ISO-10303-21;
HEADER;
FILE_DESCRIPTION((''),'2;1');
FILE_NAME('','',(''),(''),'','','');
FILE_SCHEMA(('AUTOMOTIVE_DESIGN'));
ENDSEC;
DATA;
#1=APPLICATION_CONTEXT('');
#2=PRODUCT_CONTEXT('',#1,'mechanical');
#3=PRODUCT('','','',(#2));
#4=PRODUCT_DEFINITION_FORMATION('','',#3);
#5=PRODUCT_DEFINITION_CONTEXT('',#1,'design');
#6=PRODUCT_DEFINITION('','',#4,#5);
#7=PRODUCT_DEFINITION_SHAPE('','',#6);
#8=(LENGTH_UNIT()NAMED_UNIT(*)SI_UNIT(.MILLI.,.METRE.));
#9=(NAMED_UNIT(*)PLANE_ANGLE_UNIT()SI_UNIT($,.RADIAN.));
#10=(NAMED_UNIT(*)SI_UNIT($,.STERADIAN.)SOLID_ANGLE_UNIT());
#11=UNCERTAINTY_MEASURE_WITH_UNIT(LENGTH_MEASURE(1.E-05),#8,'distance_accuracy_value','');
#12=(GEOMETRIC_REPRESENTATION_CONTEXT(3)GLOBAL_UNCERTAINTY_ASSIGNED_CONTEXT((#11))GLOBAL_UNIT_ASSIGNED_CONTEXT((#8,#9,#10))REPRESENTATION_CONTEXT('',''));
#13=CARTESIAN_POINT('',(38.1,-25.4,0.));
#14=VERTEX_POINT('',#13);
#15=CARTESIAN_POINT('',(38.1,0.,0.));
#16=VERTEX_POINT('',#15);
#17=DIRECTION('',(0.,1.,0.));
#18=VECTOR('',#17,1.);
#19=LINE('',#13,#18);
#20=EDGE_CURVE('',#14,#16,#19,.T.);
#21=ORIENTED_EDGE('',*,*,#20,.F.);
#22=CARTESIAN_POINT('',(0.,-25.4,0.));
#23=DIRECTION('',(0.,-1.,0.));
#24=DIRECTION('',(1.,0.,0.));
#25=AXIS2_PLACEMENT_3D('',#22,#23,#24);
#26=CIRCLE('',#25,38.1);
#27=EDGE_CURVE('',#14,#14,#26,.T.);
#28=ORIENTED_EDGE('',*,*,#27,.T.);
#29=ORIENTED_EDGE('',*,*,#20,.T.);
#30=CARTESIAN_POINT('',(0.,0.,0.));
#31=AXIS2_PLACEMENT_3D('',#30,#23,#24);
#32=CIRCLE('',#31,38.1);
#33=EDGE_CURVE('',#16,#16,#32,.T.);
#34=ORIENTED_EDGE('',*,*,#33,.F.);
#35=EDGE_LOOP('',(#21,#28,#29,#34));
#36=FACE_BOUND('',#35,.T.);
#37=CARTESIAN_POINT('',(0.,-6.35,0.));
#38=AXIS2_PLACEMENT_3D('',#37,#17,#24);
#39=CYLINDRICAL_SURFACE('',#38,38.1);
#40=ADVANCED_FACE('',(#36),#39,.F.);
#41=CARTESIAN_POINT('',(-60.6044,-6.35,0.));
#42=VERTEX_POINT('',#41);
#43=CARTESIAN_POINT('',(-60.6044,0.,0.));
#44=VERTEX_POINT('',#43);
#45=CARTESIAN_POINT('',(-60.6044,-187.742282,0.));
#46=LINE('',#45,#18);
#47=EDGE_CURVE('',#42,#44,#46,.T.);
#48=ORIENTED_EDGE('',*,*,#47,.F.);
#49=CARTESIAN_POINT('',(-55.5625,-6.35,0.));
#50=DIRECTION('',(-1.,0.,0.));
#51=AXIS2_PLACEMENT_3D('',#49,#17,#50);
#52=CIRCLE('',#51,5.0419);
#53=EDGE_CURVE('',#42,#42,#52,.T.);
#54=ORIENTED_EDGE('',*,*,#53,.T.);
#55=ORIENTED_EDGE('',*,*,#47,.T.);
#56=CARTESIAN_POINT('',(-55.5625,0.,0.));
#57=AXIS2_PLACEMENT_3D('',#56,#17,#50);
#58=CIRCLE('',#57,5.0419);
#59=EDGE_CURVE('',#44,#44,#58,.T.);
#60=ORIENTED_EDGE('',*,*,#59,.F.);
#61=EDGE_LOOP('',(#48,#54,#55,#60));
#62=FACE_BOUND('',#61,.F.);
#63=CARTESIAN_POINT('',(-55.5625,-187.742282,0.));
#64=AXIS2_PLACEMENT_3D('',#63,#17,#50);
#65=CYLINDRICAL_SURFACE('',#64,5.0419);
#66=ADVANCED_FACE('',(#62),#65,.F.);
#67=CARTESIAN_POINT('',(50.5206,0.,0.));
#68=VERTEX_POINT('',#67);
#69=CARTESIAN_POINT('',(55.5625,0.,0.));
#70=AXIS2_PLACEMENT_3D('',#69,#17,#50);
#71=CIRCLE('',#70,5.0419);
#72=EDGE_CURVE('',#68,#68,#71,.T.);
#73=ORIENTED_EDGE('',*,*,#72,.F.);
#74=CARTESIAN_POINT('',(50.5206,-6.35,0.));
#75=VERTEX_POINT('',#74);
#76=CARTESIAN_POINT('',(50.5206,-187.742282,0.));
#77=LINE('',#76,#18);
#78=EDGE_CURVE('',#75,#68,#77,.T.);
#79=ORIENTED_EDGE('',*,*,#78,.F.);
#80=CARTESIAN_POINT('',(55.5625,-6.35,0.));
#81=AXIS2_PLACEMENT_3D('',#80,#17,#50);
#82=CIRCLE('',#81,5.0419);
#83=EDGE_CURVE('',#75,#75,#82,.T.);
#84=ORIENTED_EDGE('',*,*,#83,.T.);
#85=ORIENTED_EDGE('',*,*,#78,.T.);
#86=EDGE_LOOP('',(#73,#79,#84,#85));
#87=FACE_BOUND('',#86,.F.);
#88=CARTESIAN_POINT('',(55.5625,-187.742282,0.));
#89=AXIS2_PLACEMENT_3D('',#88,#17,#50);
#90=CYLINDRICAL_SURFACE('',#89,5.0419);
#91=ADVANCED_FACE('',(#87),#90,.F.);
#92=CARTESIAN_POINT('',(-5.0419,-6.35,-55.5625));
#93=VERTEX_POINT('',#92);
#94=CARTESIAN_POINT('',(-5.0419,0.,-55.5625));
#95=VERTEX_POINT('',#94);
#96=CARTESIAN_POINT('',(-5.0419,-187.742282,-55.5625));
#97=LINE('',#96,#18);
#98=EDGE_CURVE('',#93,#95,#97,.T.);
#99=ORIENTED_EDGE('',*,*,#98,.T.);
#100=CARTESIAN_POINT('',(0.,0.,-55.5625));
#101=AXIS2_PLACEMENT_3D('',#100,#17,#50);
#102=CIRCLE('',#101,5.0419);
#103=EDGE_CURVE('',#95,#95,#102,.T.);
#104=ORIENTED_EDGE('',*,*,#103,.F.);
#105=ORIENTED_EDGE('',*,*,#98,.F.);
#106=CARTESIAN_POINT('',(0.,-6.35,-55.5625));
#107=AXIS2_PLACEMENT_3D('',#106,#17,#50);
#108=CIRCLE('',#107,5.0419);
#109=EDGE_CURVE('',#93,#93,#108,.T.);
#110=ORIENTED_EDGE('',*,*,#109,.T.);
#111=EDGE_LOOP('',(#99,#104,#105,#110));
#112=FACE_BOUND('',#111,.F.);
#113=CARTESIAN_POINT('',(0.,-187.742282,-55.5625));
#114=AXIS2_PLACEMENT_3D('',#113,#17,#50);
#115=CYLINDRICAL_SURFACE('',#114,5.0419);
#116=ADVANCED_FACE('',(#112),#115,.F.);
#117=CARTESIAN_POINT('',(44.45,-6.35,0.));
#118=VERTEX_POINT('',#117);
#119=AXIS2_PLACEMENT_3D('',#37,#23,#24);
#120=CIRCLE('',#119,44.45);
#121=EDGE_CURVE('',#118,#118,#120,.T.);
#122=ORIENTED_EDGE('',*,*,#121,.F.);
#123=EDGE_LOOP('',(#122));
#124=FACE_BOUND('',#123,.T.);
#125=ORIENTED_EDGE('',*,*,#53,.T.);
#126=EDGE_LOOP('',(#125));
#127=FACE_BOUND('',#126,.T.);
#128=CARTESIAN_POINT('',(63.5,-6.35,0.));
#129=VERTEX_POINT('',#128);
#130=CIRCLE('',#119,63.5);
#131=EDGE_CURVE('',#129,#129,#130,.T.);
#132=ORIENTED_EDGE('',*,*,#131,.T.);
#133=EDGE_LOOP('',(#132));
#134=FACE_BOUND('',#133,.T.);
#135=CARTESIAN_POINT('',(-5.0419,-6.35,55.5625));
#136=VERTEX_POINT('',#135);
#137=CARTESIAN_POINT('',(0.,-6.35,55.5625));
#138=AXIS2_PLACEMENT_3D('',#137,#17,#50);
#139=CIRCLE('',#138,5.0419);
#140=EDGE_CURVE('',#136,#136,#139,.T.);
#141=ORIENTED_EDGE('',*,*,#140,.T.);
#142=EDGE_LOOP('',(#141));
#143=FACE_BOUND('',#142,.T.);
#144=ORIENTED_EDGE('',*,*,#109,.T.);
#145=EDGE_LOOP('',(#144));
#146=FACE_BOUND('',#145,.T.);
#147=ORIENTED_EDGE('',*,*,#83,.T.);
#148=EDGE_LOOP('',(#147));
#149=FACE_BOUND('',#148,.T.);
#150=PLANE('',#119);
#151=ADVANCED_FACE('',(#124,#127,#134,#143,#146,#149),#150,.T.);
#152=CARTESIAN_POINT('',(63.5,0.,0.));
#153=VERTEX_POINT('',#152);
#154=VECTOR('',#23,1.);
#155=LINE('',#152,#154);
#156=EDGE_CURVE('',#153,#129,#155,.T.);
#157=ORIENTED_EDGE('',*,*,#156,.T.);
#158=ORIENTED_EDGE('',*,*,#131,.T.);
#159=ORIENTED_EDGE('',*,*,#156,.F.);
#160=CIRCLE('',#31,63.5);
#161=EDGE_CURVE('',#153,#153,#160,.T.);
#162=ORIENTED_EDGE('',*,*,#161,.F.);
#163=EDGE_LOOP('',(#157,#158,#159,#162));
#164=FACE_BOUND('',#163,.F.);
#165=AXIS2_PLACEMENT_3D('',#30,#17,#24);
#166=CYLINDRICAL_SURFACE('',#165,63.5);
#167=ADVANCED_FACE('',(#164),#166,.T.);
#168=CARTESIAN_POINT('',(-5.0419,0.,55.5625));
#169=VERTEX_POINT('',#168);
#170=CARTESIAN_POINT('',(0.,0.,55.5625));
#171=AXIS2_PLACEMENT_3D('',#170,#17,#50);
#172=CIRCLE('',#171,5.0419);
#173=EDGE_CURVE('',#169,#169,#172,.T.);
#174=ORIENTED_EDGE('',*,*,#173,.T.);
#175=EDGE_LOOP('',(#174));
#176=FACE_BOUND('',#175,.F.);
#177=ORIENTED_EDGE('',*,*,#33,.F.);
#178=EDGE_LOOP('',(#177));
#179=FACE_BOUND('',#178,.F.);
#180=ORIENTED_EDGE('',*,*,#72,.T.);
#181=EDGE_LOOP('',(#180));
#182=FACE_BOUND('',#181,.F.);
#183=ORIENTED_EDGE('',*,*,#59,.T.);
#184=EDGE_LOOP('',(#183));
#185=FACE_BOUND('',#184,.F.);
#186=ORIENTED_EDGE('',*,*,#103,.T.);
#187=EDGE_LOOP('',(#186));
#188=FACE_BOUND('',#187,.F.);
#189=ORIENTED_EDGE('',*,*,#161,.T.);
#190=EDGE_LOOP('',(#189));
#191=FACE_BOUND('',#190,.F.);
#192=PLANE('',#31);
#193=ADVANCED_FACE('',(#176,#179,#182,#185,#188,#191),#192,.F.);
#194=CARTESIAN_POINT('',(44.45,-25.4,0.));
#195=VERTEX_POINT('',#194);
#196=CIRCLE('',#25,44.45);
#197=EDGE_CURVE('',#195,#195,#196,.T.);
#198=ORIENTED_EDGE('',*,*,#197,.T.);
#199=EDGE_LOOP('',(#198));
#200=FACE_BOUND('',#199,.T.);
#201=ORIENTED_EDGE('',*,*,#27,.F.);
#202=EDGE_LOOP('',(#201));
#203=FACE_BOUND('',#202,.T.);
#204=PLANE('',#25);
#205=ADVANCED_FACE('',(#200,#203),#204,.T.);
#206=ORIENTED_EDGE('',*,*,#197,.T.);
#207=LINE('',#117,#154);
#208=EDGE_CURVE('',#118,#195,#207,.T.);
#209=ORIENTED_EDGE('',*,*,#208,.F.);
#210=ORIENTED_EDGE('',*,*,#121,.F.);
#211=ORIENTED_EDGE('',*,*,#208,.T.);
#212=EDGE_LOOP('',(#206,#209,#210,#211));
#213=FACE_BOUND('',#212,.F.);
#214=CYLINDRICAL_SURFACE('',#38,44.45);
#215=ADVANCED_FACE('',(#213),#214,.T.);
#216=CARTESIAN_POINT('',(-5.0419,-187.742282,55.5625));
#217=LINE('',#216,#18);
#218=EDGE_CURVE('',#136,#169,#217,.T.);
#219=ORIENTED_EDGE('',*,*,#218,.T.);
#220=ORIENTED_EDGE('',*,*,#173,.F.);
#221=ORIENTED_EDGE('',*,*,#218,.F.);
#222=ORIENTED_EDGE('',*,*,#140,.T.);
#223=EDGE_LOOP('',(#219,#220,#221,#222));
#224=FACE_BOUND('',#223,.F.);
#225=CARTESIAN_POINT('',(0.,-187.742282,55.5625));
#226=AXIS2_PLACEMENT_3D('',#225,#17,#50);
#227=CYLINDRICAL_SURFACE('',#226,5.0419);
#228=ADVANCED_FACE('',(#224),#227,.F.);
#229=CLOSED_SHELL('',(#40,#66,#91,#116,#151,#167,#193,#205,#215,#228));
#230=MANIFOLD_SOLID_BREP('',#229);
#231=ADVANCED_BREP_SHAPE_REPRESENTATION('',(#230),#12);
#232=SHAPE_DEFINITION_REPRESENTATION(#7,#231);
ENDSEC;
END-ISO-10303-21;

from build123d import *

# Parameters (mm, degrees)
F0_R     = 63.5
F0_R_2   = 38.1
F1_DEPTH = 6.35
F2_R     = 44.45
F2_R_2   = 38.1
F3_DEPTH = 19.05
F5_D     = 10.0838


with BuildPart() as f1:
    # F0 (on Front) → F1 (new body)
    with BuildSketch(Plane.XZ):
        Circle(F0_R)
        Circle(F0_R_2, mode=Mode.SUBTRACT)
    extrude(amount=F1_DEPTH)

    # F2 (on face) → F3 (join)
    with BuildSketch(Plane.XZ.offset(6.35)):
        Circle(F2_R)
        Circle(F2_R_2, mode=Mode.SUBTRACT)
    extrude(amount=F3_DEPTH)

    # F5 (through all)
    with Locations(Plane.XZ.offset(6.35)):
        with Locations((0, 55.5625), (55.5625, 0), (-55.5625, 0), (0, -55.5625)):
            Hole(F5_D / 2)


solid = f1.part
